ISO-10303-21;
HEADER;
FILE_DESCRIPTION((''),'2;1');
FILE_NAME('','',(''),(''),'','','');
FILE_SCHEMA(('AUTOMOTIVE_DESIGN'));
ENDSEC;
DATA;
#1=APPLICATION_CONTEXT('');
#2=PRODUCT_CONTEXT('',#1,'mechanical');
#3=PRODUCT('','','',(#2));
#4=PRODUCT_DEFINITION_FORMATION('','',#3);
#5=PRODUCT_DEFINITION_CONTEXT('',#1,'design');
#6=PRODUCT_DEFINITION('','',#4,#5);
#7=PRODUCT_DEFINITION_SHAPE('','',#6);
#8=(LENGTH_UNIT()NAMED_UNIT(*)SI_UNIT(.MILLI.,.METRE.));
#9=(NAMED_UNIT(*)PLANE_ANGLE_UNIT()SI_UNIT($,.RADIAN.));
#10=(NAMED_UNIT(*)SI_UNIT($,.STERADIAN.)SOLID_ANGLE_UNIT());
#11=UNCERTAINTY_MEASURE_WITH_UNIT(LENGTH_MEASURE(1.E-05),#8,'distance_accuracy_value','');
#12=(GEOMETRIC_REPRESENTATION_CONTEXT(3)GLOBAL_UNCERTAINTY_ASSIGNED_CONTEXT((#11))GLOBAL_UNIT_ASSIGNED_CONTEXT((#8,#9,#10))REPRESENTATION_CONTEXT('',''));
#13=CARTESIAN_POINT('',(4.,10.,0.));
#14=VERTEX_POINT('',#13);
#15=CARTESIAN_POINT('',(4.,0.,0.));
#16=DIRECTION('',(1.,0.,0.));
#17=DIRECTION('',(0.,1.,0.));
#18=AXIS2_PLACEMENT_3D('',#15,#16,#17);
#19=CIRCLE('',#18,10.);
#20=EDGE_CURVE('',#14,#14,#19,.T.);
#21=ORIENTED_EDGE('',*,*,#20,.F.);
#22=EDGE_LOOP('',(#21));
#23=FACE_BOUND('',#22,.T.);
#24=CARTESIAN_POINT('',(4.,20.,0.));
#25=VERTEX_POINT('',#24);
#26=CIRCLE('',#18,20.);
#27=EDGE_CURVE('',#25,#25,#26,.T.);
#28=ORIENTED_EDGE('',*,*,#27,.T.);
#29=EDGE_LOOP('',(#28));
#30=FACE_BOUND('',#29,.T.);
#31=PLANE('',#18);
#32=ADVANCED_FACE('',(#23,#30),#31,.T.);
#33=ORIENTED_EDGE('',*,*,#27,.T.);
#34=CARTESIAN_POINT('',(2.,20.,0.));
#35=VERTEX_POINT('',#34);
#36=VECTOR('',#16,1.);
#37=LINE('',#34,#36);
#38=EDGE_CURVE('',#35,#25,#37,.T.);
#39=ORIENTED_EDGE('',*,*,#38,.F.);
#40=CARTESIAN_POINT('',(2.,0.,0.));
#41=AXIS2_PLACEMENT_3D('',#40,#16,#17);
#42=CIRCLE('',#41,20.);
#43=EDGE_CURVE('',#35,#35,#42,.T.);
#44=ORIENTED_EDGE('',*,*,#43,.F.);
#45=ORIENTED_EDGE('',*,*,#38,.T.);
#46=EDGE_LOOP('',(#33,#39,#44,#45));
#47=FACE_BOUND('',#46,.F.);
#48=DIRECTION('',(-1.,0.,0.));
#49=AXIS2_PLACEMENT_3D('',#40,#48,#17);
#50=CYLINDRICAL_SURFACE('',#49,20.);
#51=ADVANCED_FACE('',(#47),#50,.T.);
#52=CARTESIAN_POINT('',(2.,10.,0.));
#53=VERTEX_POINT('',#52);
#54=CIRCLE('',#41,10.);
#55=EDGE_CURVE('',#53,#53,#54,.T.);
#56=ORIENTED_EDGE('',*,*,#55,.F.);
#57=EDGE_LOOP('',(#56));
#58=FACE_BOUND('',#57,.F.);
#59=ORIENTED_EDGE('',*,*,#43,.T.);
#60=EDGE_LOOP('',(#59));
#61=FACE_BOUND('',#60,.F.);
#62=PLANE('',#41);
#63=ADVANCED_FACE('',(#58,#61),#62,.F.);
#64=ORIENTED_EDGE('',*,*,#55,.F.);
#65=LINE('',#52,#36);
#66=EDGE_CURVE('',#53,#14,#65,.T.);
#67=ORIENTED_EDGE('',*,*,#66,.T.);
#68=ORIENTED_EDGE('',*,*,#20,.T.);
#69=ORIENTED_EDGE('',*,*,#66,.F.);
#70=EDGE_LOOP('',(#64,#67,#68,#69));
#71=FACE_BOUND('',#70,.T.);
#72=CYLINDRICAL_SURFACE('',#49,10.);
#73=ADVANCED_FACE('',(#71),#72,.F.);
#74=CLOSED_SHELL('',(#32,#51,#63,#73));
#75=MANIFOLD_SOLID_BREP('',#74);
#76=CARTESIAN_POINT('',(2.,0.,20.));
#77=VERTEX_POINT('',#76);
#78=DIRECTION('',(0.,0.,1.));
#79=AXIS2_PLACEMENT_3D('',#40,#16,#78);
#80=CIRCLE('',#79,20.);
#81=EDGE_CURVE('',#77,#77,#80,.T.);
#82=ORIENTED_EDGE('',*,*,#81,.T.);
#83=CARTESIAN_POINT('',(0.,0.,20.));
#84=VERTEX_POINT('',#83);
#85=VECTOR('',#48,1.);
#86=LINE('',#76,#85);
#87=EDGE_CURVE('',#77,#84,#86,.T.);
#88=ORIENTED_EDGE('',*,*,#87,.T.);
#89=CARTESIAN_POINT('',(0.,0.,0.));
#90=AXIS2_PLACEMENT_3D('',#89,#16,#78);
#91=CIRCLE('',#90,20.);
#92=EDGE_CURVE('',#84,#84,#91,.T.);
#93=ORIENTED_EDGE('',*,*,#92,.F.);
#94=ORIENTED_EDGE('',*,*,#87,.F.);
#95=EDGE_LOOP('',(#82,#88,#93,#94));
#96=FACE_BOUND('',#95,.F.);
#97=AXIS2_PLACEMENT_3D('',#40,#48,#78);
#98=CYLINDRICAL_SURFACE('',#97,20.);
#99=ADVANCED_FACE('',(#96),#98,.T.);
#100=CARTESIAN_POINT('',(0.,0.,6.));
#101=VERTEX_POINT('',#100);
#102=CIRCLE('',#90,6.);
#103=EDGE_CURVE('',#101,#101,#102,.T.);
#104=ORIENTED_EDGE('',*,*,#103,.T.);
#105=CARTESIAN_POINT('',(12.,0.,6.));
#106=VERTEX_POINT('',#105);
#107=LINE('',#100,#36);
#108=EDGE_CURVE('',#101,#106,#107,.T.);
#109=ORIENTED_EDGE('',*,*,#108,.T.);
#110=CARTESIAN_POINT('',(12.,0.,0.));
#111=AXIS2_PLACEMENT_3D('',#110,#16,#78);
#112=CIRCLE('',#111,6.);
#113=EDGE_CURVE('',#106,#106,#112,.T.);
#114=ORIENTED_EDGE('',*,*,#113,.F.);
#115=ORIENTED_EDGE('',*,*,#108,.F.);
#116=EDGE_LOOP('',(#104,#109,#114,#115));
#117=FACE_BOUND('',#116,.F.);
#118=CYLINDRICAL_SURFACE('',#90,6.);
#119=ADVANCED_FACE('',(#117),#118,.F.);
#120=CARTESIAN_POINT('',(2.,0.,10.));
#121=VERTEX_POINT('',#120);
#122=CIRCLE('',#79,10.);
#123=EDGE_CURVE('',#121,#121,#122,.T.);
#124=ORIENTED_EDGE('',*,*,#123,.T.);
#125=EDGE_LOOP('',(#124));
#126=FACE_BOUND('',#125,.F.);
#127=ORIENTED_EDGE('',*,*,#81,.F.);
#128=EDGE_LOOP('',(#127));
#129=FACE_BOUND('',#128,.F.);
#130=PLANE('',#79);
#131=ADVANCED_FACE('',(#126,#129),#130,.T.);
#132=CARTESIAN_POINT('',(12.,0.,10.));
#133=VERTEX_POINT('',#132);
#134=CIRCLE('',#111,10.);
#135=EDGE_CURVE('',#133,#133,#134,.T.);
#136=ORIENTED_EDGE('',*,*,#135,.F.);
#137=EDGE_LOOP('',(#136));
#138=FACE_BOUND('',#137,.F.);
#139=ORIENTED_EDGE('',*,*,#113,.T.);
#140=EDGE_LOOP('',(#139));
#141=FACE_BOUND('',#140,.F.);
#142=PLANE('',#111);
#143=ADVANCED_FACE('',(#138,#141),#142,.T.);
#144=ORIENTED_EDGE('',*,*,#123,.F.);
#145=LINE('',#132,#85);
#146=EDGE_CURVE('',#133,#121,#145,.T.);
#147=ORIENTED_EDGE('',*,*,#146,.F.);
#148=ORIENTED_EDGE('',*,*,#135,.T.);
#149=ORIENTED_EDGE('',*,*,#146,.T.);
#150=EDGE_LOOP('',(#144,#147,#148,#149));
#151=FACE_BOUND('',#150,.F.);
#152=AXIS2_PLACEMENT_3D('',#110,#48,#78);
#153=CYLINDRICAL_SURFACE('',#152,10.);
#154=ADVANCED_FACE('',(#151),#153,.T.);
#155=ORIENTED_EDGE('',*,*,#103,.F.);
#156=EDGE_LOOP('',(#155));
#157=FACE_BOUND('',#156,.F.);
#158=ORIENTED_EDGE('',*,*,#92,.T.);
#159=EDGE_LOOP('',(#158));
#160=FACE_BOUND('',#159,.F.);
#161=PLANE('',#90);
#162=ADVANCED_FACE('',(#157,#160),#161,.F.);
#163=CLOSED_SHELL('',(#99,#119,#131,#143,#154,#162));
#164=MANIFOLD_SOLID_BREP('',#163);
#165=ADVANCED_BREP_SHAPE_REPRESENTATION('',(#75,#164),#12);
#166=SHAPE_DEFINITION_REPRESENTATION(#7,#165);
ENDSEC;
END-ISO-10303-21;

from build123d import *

# Parameters (mm, degrees)
F2_R     = 20
F2_R_2   = 10
F3_DEPTH = 2


with BuildPart() as f1:
    # F0 (on Front) → F1 (revolve)
    with BuildSketch(Plane.XZ):
        Polygon((0, 20), (0, 6), (12, 6), (12, 10), (2, 10), (2, 20), align=None)
    revolve(axis=Axis((256.9286823273, 0, 0), (1, 0, 0)))


with BuildPart() as f3:
    # F2 (on face) → F3 (new body)
    with BuildSketch(Plane.YZ.offset(2)):
        Circle(F2_R)
        Circle(F2_R_2, mode=Mode.SUBTRACT)
    extrude(amount=F3_DEPTH)


solid = Compound([f1.part, f3.part])
